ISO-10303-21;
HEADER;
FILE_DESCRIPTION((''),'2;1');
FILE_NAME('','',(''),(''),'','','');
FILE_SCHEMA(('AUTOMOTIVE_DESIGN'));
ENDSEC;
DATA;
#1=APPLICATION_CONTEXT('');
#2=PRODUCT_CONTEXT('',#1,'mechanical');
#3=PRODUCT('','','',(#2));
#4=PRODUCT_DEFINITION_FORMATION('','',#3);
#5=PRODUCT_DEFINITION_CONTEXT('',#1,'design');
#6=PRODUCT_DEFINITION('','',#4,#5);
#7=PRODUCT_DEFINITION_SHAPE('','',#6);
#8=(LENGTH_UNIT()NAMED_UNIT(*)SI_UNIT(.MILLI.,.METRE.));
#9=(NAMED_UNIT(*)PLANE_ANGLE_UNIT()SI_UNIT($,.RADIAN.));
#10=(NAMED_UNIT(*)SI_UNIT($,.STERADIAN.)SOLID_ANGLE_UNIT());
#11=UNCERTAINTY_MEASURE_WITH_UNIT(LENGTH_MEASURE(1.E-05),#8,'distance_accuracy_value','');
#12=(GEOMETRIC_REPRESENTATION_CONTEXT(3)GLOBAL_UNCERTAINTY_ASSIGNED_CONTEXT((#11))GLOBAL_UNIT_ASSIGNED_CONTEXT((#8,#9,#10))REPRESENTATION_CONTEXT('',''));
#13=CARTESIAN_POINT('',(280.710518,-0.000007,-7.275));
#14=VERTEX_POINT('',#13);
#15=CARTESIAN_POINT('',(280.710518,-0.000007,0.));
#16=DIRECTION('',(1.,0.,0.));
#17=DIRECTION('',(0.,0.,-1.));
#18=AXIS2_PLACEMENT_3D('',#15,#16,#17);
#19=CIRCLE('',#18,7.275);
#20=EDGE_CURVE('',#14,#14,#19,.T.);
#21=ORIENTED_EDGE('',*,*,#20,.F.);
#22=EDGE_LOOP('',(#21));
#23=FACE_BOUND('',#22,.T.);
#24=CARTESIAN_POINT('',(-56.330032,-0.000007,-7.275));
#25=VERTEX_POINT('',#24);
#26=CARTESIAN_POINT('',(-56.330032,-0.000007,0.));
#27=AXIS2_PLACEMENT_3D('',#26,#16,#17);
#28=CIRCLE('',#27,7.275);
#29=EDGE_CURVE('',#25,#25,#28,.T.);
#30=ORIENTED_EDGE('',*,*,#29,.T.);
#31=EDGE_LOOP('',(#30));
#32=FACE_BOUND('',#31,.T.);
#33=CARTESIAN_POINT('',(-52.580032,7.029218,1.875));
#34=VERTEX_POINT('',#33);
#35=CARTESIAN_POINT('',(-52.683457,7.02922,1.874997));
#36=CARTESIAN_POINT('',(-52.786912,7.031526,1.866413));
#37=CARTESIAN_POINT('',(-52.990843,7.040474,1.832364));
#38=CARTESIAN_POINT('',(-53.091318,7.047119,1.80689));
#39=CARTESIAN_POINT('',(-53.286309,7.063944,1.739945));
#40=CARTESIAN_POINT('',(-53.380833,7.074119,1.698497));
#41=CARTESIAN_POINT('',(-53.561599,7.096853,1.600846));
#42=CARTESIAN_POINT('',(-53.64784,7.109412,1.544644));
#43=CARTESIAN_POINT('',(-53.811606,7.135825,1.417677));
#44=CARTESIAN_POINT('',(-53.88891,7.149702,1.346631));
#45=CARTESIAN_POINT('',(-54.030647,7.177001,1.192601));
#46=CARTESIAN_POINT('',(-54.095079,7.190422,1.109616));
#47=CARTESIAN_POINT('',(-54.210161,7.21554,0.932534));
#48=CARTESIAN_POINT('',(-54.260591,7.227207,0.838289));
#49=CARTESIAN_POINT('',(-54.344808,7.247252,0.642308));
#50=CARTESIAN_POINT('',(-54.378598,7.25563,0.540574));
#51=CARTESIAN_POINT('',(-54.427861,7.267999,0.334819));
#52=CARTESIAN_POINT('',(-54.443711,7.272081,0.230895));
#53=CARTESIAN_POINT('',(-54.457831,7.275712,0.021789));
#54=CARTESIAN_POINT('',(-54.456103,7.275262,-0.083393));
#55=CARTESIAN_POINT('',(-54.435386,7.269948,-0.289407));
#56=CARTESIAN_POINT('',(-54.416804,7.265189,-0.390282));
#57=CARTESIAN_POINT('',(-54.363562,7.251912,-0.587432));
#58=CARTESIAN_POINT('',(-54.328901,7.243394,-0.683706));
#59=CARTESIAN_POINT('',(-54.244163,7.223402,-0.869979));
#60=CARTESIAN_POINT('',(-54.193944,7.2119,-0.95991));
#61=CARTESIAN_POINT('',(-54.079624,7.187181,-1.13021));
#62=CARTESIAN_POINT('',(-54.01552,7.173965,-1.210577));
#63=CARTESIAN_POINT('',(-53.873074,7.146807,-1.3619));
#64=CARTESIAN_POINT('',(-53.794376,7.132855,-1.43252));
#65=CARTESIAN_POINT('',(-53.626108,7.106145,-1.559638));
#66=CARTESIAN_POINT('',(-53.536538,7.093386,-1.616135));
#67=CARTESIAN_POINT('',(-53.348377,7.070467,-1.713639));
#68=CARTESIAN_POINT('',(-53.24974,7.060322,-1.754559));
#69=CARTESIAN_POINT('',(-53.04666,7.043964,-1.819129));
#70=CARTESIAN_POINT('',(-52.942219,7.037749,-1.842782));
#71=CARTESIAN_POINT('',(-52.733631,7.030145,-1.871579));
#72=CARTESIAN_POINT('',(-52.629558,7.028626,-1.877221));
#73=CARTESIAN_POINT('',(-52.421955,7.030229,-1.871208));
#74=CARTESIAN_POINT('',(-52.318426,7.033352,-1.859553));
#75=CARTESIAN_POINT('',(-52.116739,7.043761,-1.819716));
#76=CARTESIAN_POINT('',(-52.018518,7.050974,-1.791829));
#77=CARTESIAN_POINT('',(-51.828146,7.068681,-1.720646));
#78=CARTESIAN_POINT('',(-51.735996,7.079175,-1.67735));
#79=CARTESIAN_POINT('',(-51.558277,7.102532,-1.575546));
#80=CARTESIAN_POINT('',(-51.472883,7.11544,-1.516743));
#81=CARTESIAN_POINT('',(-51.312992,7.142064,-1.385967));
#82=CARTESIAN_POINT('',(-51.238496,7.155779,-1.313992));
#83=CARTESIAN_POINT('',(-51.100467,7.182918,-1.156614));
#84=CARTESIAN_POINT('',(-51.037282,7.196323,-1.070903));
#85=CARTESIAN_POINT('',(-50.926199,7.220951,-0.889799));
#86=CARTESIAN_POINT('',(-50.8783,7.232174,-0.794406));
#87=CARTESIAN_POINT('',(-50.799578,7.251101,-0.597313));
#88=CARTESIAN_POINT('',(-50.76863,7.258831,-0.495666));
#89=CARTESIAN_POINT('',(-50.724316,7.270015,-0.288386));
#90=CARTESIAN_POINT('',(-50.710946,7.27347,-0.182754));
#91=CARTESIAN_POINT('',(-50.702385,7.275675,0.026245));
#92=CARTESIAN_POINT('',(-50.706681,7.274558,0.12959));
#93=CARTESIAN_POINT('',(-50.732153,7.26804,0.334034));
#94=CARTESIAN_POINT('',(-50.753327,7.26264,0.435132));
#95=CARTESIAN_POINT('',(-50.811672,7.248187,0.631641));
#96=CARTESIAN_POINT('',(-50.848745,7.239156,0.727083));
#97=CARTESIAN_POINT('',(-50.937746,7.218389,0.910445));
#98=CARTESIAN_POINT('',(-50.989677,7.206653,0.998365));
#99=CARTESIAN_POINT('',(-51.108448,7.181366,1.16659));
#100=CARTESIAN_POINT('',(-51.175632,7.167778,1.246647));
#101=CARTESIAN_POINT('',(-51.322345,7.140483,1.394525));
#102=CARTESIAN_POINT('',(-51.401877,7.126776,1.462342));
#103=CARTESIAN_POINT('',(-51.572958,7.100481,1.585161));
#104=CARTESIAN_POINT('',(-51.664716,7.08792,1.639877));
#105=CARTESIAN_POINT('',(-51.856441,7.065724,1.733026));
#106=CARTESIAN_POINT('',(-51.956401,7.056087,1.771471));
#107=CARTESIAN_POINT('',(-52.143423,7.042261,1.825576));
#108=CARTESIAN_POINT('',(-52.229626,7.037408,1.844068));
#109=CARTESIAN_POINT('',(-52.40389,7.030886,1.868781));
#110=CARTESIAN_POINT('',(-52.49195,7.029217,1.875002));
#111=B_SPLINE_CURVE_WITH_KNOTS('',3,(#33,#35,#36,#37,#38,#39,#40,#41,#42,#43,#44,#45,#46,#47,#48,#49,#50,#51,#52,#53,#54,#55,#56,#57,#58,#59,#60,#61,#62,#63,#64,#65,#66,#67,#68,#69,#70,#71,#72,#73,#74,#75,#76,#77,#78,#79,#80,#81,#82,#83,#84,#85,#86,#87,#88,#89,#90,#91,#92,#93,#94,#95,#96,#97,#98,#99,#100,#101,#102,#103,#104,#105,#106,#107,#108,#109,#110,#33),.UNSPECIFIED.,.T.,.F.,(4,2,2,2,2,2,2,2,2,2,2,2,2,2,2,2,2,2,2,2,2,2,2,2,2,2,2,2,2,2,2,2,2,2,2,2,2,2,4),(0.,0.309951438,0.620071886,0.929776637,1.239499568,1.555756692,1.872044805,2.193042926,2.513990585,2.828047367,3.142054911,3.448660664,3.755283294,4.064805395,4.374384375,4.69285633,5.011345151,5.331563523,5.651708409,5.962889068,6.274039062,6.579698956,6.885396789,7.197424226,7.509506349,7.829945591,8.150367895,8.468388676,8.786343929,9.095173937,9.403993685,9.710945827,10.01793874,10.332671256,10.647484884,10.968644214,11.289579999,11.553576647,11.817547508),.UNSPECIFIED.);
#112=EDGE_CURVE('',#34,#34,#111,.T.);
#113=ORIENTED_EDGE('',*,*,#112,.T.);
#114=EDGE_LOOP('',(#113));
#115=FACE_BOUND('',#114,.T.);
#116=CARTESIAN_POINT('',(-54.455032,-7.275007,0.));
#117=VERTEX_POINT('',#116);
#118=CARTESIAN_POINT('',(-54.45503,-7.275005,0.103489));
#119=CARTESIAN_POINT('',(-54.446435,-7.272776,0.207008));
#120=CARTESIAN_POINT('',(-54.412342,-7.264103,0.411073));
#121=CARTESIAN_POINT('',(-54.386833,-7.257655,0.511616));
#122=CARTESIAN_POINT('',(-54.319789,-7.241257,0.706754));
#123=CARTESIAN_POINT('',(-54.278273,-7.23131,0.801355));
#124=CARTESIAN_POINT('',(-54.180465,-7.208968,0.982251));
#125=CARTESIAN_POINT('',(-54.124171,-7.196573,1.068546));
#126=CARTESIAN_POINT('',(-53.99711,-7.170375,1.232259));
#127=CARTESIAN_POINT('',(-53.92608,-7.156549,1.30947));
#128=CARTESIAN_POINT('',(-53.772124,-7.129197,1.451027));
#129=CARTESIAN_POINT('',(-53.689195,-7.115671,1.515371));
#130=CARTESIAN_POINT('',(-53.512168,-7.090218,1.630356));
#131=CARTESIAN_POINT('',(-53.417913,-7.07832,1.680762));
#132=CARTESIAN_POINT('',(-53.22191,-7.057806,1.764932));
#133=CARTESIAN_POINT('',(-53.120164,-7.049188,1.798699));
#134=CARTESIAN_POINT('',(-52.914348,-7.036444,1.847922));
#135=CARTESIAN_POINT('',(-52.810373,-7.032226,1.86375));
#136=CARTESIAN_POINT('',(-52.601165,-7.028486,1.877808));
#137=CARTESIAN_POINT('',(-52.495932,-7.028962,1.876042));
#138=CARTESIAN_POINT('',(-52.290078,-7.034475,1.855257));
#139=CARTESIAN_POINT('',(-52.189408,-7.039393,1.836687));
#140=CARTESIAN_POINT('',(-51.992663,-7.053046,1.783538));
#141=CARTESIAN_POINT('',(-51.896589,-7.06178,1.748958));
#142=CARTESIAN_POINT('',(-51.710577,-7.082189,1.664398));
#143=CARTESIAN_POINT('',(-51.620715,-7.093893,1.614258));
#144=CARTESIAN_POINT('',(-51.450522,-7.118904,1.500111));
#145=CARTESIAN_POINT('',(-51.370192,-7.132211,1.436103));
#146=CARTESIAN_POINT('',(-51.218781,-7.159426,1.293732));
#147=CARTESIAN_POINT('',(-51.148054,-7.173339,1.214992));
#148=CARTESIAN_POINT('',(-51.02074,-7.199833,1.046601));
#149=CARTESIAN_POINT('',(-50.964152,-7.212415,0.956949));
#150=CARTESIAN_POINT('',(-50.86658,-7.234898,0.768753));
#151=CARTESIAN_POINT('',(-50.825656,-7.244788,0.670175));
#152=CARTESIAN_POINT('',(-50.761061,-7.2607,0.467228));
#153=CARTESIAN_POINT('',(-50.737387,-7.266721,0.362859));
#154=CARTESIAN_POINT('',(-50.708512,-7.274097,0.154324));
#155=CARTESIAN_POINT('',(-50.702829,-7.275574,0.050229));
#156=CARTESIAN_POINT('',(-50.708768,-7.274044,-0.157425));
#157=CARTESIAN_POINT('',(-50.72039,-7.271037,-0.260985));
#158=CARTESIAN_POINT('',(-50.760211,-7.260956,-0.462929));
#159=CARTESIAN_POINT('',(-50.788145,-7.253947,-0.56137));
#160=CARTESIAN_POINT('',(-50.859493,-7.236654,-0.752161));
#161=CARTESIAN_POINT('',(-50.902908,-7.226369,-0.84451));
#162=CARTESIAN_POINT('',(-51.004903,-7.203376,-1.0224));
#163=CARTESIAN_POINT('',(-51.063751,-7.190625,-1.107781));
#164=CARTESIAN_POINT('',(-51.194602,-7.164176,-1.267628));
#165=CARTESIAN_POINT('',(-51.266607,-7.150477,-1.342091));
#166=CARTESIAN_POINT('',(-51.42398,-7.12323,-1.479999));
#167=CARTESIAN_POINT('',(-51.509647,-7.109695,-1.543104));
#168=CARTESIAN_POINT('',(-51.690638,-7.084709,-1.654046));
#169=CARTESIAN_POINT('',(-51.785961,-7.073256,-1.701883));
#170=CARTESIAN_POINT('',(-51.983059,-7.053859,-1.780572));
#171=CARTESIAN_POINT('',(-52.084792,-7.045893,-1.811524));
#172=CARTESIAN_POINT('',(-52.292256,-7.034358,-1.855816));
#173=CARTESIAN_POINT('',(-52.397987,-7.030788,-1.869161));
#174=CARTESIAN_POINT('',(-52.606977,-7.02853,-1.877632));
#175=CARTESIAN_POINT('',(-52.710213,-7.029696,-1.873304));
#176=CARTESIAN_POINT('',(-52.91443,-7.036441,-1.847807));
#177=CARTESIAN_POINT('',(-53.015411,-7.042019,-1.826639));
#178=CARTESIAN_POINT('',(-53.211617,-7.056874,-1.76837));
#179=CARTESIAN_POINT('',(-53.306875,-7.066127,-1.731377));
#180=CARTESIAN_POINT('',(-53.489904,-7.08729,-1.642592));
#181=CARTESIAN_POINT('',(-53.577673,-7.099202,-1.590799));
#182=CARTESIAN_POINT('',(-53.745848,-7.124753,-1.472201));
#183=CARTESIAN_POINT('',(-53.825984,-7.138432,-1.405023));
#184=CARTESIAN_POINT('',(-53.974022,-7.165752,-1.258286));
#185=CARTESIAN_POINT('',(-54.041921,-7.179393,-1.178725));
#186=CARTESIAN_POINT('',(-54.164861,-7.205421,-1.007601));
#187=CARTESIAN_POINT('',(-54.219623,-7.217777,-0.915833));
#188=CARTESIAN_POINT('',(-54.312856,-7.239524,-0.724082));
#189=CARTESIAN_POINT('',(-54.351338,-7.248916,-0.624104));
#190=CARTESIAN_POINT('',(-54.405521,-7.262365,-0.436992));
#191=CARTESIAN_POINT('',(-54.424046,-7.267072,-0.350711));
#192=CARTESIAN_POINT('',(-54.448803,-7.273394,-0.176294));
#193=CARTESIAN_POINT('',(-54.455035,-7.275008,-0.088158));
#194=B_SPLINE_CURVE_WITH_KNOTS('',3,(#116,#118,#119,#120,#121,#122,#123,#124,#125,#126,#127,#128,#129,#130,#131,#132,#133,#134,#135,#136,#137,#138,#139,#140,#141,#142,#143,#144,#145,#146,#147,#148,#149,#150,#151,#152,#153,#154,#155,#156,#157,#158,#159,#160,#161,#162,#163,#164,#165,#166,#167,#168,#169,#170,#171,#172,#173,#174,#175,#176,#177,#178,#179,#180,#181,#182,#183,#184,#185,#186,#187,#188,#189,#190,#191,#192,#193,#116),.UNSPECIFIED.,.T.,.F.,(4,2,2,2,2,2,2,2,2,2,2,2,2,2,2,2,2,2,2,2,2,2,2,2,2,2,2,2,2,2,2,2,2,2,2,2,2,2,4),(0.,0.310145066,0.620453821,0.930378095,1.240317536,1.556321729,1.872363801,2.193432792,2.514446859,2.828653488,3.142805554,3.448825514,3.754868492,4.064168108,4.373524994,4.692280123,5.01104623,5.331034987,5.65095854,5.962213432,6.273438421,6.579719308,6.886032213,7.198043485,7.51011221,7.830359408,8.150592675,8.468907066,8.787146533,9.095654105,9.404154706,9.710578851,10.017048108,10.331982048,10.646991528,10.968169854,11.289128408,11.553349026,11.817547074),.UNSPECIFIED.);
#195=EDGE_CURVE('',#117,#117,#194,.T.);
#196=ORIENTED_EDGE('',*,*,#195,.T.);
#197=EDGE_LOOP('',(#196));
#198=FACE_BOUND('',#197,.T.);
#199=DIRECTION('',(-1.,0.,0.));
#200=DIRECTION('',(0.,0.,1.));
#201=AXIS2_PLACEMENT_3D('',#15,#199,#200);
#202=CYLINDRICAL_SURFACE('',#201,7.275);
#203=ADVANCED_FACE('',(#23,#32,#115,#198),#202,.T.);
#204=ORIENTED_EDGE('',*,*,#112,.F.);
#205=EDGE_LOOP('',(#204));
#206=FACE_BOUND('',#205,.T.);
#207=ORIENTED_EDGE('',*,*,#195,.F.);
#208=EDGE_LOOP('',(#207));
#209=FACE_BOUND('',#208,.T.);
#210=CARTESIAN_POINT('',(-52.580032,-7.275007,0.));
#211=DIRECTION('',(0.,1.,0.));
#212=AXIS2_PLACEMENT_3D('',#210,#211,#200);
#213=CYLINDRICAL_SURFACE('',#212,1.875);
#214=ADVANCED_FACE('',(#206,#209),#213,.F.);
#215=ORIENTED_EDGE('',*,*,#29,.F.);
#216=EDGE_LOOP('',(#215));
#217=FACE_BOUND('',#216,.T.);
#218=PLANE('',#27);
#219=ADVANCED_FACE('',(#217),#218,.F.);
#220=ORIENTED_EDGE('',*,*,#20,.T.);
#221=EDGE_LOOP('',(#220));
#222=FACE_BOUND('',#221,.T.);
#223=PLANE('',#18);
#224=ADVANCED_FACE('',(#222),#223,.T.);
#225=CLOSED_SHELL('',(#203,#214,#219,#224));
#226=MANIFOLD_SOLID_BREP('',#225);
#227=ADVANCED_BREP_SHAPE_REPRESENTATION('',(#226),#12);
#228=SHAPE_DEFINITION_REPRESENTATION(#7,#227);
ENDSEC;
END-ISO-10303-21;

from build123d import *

# Parameters (mm, degrees)
SKETCH1_R               = 4.85
BOSS_EXTRUDE1_DEPTH     = 224.6937
CUT_EXTRUDE1_DEPTH      = 225.798362582
CUT_EXTRUDE1_DEPTH_BACK = 225.798362582
SKETCH2_R               = 1.25
SCALE1_SCALE            = 1.5


with BuildPart() as part:
    # Sketch1 → Boss-Extrude1 (new body)
    with BuildSketch(Plane(origin=(0, 0, 0), x_dir=(0, 0, -1), z_dir=(1, 0, 0))):
        with Locations(Location((0, 0, 0), (0, 0, 180))):
            Circle(SKETCH1_R)
    extrude(amount=BOSS_EXTRUDE1_DEPTH)

    # Sketch2 → Cut-Extrude1 (cut, two sides: drawn at the far end of the back side and taken through both)
    with BuildSketch(Plane(origin=(0, 0, 0), x_dir=(1, 0, 0), z_dir=(0, 1, 0)).offset(-CUT_EXTRUDE1_DEPTH_BACK)):
        with Locations(Location((2.5, 0, 0), (0, 0, 270))):
            Circle(SKETCH2_R)
    extrude(amount=CUT_EXTRUDE1_DEPTH + CUT_EXTRUDE1_DEPTH_BACK, mode=Mode.SUBTRACT)


with BuildPart() as part_1:
    # Scale1: scaled about (112.660192286, 0, 1.805e-06)
    add(part.part.scale(SCALE1_SCALE).moved(Location((-56.330096143, 0, -9.03e-07))))


solid = part_1.part
